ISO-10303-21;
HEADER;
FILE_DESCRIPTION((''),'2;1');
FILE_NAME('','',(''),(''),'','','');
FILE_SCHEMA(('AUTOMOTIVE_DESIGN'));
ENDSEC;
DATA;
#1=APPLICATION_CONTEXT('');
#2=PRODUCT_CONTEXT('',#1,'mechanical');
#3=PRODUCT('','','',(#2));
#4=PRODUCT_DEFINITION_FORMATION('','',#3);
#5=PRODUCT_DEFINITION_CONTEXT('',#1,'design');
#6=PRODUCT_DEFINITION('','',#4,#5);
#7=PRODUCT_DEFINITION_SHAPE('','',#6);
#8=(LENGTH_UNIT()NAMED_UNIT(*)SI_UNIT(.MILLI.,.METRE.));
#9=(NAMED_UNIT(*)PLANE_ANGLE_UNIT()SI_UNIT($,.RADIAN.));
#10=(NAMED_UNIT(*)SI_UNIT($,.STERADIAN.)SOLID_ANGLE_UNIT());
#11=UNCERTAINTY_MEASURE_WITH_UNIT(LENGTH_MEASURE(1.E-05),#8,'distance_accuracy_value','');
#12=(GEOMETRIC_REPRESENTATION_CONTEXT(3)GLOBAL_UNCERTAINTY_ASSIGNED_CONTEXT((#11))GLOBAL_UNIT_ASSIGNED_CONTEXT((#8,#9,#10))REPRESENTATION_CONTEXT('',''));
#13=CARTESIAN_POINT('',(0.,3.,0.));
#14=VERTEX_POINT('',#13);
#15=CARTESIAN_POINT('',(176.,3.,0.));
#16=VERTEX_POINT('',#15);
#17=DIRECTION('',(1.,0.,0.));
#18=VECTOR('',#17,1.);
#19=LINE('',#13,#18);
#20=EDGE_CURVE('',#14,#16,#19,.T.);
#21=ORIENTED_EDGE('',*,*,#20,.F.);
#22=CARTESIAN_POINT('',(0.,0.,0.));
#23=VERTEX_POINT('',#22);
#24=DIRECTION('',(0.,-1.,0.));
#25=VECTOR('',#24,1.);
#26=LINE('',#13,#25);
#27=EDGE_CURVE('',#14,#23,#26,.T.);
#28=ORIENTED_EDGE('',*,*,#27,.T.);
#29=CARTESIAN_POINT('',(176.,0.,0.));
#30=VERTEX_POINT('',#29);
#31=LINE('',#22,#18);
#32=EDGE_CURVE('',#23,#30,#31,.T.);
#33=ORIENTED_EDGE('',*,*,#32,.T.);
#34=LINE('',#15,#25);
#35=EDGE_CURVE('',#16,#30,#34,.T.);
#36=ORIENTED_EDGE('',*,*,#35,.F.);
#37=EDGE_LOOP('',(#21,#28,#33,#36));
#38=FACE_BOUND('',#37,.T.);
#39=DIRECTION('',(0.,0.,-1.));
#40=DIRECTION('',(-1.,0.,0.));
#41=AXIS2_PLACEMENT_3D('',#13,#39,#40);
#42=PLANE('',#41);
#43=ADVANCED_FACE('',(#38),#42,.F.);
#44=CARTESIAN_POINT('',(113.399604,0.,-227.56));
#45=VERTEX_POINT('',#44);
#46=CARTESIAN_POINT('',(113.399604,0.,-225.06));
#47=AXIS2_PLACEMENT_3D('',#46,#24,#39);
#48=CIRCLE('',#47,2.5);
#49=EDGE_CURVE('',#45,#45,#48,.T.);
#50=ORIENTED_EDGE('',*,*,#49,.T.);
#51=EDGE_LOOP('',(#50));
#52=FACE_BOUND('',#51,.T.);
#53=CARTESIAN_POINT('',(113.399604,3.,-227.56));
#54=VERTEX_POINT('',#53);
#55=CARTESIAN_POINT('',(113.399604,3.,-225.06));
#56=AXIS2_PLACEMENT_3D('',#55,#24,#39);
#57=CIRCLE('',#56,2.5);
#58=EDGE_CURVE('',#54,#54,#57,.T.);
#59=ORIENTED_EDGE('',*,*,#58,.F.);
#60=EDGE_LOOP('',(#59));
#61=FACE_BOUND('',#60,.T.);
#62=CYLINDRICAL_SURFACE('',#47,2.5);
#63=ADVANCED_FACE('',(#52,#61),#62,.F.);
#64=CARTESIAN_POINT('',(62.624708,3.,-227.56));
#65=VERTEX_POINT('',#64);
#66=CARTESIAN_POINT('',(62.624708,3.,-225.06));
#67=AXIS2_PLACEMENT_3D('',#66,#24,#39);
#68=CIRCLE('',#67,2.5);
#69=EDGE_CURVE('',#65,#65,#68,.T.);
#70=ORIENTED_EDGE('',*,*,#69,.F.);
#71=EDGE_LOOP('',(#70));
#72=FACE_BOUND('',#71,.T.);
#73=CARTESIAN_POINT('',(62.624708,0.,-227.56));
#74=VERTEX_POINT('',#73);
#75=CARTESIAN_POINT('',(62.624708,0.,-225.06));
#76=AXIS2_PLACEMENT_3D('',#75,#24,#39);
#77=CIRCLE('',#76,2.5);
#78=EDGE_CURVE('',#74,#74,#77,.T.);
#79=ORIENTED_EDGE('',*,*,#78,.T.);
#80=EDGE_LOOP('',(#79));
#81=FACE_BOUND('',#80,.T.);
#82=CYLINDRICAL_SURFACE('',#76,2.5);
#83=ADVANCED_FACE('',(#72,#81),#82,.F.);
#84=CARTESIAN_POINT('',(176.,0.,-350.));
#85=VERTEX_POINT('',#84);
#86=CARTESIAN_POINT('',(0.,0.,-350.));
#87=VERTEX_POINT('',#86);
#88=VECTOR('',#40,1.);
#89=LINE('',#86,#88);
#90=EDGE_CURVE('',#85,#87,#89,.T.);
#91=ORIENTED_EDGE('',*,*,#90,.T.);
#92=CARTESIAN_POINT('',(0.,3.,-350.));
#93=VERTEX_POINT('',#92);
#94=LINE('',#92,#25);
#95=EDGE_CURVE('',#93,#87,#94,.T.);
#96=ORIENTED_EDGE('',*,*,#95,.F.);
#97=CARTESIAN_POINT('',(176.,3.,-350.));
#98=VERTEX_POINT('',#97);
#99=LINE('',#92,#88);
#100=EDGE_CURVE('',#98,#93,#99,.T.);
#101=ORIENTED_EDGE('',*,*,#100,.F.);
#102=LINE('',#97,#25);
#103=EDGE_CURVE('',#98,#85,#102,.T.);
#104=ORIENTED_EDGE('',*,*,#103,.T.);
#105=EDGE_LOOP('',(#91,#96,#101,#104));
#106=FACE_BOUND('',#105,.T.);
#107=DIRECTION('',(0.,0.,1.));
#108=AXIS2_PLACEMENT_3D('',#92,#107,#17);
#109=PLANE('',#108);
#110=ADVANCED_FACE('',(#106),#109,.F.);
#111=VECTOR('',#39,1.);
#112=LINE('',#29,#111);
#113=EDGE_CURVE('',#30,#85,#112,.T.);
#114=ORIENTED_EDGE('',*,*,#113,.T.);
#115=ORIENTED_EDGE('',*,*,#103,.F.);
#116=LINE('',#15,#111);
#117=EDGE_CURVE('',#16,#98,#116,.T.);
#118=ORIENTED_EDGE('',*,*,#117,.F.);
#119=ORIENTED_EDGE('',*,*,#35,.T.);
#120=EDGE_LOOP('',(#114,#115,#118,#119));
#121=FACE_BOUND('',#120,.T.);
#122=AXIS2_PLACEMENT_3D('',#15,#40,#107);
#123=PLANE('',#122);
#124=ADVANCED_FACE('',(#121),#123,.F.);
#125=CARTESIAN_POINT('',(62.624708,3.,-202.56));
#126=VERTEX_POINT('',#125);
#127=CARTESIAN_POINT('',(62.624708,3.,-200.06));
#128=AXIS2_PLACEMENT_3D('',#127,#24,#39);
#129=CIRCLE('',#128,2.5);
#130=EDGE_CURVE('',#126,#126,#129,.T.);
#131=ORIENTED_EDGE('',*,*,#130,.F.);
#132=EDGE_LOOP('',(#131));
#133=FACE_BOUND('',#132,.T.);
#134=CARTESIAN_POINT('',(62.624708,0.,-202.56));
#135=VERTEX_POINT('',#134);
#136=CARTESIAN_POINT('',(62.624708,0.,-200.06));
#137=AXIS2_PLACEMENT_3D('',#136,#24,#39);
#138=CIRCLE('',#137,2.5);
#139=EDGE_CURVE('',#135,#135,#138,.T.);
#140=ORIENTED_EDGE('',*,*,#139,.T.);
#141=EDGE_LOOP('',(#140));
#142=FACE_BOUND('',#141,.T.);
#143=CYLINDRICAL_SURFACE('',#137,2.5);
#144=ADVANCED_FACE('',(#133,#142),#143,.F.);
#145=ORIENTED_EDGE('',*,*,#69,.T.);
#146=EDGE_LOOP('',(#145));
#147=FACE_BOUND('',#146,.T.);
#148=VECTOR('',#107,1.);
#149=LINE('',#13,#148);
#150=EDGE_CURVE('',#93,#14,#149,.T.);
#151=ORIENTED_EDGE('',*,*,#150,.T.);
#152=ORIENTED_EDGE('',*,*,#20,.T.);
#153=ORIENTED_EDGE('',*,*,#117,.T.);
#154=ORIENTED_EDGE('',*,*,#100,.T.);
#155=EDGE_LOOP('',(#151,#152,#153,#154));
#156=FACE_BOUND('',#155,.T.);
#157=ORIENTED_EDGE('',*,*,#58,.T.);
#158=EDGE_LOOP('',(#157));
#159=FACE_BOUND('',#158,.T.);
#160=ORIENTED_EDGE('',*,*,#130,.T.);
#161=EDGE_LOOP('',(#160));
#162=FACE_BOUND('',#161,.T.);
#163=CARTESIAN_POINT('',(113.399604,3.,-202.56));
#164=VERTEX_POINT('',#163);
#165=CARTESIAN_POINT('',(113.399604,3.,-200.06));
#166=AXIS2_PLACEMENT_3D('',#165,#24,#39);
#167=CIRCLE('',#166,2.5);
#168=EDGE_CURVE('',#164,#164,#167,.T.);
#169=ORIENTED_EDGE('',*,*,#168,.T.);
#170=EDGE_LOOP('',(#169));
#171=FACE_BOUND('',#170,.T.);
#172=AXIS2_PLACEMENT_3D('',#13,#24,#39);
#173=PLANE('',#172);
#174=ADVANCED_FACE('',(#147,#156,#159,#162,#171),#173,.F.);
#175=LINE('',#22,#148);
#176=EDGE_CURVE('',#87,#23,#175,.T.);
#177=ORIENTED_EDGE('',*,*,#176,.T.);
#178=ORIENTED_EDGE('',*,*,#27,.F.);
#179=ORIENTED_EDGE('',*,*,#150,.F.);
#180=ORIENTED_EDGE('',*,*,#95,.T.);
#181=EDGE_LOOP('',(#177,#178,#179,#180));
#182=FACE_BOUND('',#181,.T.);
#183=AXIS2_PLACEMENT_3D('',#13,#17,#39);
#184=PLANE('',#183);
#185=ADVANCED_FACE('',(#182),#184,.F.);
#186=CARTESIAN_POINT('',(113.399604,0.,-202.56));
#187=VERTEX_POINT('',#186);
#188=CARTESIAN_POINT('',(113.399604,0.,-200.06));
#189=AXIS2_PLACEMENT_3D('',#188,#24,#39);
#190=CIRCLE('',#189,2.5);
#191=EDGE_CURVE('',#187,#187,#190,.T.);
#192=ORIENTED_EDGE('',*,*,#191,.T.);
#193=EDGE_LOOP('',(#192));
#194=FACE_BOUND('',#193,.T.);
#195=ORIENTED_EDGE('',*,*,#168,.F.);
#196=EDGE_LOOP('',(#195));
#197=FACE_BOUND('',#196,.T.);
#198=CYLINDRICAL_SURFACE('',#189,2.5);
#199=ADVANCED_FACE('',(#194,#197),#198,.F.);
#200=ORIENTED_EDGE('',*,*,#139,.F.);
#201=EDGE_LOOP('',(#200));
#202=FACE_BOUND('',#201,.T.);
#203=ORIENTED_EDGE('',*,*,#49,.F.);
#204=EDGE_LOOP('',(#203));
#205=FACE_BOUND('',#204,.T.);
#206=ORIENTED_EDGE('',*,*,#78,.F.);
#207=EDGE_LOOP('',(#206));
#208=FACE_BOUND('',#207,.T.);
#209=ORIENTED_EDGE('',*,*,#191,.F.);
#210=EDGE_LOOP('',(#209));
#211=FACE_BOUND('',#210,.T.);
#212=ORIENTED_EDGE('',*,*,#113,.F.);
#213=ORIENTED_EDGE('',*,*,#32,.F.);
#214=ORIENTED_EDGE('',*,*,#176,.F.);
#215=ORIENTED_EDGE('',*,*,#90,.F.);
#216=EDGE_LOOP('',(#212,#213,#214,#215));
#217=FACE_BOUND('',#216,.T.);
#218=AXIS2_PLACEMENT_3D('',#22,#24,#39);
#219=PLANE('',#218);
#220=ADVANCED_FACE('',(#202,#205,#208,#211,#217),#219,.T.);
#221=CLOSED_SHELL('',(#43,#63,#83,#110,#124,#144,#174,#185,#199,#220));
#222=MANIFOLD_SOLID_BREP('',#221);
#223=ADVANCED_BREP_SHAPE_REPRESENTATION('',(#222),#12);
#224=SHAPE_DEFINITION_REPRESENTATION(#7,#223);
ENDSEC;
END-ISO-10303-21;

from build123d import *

# Parameters (mm, degrees)
SKETCH1_W                 = 176
SKETCH1_H                 = 350
BOSS_EXTRUDE1_DEPTH       = 3
F_5_0MM_DOWEL_HOLE1_D     = 5
F_5_0MM_DOWEL_HOLE1_DEPTH = 3


with BuildPart() as part:
    # Sketch1 → Boss-Extrude1 (new body)
    with BuildSketch(Plane(origin=(0, 0, 0), x_dir=(1, 0, 0), z_dir=(0, 1, 0))):
        with Locations((88, 175)):
            Rectangle(SKETCH1_W, SKETCH1_H)
    extrude(amount=BOSS_EXTRUDE1_DEPTH)

    # Ø5.0mm Dowel Hole1
    with Locations(Plane(origin=(0, 0, 0), x_dir=(-1, 0, 0), z_dir=(0, -1, 0))):
        with Locations((-113.399603526, 225.06), (-113.399603526, 200.06), (-62.62470798, 225.06), (-62.62470798, 200.06)):
            Hole(F_5_0MM_DOWEL_HOLE1_D / 2, depth=F_5_0MM_DOWEL_HOLE1_DEPTH)


solid = part.part
